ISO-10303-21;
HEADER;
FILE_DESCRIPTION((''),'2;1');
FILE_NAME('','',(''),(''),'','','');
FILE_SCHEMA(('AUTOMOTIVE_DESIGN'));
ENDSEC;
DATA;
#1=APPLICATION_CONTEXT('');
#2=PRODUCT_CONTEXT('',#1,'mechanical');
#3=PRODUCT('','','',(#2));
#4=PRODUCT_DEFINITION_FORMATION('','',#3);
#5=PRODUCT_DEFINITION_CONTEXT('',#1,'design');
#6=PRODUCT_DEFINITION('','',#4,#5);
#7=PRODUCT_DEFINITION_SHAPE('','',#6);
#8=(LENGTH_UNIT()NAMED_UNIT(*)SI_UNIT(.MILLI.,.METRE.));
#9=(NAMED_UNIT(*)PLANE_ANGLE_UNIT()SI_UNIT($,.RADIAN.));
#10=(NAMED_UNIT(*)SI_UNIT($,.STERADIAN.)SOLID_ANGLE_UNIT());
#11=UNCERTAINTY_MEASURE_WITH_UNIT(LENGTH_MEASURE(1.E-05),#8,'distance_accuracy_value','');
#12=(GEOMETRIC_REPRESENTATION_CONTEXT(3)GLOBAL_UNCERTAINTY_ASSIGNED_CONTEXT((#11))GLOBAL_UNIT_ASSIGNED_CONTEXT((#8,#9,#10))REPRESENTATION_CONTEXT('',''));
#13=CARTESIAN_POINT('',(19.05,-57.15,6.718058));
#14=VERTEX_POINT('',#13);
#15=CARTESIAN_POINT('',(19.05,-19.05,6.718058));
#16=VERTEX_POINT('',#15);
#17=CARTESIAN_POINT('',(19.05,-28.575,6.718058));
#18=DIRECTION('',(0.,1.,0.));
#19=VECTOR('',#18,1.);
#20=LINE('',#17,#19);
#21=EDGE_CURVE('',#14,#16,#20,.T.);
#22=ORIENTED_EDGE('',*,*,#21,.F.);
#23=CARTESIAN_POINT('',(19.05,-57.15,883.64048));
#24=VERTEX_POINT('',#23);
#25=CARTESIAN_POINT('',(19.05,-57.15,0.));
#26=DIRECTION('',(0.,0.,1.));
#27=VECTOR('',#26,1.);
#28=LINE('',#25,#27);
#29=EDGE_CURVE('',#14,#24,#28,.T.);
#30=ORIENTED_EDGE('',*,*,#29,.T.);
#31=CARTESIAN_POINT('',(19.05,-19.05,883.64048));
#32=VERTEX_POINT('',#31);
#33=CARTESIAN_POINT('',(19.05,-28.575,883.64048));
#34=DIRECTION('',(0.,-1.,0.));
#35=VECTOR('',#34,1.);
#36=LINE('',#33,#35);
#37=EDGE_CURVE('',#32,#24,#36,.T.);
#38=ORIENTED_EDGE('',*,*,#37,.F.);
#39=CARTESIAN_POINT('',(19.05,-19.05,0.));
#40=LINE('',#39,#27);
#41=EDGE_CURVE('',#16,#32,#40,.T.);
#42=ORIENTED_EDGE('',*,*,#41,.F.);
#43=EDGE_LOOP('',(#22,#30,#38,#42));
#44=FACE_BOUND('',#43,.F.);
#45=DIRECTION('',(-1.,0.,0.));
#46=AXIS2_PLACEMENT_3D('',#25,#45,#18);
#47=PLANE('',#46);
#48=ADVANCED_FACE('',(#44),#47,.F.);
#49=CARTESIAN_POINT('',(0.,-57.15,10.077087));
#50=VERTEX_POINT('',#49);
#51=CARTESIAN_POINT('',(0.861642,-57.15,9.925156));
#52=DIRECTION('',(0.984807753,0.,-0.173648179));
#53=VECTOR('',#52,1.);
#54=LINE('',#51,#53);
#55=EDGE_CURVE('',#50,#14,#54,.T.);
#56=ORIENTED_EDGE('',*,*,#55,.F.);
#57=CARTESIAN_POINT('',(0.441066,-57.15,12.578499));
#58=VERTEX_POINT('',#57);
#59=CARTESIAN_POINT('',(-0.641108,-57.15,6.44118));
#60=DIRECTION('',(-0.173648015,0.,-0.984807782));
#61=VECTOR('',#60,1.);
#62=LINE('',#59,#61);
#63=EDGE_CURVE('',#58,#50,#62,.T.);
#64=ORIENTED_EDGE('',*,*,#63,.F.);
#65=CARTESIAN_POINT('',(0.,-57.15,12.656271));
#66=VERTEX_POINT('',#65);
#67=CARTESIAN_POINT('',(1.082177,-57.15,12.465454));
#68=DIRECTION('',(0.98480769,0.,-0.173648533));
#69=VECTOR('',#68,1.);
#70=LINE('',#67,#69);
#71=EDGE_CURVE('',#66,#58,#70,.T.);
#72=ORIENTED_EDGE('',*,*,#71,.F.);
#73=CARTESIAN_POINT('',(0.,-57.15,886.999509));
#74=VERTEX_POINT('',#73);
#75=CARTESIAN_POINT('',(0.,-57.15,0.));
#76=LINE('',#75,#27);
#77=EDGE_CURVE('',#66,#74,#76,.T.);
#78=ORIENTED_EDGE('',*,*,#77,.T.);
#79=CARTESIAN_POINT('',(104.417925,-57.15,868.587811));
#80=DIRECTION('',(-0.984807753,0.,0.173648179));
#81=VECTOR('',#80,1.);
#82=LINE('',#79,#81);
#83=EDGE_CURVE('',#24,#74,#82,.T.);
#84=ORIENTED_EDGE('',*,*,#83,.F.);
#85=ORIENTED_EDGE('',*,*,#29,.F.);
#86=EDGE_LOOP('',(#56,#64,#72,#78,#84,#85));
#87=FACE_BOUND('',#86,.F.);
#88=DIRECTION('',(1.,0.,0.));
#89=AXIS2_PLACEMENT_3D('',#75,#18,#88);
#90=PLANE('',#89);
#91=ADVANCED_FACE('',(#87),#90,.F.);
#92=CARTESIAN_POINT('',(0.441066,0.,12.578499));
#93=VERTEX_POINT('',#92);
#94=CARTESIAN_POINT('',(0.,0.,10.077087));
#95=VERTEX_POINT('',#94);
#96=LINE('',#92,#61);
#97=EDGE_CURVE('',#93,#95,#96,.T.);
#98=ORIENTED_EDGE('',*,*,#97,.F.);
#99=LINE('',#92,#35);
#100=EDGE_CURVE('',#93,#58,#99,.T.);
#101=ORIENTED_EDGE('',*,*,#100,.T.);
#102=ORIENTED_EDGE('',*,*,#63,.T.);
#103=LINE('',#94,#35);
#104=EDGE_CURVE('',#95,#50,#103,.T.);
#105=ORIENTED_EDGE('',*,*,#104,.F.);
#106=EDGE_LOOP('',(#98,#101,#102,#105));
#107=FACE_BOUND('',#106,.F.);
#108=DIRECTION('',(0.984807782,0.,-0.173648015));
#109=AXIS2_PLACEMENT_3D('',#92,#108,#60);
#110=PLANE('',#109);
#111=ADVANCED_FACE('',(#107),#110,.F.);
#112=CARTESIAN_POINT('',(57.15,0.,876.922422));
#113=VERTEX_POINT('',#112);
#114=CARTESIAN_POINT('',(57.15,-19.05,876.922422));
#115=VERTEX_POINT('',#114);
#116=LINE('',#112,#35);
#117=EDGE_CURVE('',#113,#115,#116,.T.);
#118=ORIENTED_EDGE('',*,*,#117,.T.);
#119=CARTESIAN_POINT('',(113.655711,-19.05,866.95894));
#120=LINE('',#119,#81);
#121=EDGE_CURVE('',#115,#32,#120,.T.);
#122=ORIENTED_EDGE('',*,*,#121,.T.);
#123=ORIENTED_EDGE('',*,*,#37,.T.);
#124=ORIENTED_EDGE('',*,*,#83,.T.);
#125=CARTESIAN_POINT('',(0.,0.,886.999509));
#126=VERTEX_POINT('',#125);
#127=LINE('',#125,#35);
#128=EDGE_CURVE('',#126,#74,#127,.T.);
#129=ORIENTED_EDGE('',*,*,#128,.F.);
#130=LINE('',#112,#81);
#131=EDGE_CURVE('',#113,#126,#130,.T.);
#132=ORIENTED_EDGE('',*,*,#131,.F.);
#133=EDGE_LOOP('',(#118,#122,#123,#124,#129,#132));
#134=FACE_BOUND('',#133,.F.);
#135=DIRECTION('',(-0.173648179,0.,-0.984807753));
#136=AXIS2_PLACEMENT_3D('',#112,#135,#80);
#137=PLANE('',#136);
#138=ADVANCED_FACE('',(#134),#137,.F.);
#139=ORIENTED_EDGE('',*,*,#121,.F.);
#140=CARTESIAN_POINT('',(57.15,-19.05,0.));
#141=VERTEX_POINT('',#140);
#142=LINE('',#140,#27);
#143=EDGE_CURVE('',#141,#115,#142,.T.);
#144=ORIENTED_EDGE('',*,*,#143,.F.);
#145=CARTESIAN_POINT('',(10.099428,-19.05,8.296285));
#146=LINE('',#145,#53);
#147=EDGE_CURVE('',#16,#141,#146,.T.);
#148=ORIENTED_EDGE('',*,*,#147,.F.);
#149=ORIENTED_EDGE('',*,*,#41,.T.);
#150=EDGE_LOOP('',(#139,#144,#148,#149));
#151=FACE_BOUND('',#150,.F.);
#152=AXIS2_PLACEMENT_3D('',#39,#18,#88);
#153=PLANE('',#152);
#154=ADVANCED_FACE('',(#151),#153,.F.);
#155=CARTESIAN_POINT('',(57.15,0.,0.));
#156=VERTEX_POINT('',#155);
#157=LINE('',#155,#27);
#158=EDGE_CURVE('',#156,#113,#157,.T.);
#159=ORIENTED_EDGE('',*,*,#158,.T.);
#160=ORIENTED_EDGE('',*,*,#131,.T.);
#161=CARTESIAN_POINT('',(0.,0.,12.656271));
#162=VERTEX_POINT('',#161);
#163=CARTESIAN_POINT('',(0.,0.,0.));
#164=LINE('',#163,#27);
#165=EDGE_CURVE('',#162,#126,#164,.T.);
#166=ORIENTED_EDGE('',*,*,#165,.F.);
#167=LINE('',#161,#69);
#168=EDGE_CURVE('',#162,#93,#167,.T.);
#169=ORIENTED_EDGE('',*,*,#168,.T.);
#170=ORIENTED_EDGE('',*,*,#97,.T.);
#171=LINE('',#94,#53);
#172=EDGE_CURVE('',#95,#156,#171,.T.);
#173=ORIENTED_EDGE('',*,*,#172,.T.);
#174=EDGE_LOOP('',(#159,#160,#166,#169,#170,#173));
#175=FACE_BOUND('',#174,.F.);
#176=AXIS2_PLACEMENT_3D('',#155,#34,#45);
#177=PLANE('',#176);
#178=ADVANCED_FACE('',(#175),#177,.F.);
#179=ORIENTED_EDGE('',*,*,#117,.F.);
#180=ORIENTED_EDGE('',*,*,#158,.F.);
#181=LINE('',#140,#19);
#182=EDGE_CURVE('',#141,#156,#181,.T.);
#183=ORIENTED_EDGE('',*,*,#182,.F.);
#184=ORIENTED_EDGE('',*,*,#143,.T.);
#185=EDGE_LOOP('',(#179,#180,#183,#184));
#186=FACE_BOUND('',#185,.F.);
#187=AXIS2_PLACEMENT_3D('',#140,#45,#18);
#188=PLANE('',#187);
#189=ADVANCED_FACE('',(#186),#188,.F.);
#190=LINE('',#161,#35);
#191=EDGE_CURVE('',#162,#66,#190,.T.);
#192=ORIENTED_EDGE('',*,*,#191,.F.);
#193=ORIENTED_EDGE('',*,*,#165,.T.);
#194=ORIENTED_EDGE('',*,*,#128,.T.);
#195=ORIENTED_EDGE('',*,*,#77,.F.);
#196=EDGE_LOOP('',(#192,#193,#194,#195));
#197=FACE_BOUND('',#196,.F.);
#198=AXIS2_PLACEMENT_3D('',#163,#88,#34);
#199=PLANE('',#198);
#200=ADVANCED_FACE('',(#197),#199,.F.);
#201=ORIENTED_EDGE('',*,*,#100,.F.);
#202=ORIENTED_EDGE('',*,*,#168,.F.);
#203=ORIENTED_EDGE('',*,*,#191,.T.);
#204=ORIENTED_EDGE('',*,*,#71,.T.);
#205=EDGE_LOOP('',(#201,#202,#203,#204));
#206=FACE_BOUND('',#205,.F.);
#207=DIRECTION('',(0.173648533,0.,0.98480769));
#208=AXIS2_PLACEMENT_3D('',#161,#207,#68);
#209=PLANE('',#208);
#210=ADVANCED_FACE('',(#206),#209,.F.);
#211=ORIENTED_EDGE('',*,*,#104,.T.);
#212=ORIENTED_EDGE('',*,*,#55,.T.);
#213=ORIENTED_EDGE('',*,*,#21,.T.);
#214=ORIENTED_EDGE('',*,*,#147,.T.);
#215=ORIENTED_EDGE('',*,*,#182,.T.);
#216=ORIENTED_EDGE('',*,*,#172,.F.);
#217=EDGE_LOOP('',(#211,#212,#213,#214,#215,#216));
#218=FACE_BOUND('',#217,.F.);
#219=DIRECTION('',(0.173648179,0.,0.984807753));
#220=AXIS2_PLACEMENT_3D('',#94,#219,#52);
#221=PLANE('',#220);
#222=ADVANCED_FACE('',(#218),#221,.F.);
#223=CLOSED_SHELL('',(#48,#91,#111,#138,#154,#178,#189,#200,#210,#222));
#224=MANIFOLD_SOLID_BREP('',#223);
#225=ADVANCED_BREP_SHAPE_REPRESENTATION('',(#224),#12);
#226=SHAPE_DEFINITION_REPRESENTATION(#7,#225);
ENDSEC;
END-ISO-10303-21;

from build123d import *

# Parameters (mm, degrees)
F1_DEPTH = 1016
F3_DEPTH = 57.151
F5_DEPTH = 57.151


with BuildPart() as f1:
    # F0 (on Top) → F1 (new body)
    with BuildSketch(Plane.XY):
        Polygon((57.15, 0), (0, 0), (0, -57.15), (19.05, -57.15), (19.05, -19.05), (57.15, -19.05), align=None)
    extrude(amount=F1_DEPTH)

    # F2 (on face) → F3 (cut, through all)
    with BuildSketch(Plane(origin=(0, 0, 0), x_dir=(-1, 0, 0), z_dir=(0, 1, 0))):
        Polygon((0, 10.077087), (-57.15, 0), (0, 0), align=None)
        Polygon((0, 886.999509), (0, 1016), (-57.15, 1016), (-57.15, 876.922422), align=None)
    extrude(amount=-F3_DEPTH, mode=Mode.SUBTRACT)

    # F4 (on face) → F5 (cut, through all)
    with BuildSketch(Plane(origin=(0, 0, 0), x_dir=(-1, 0, 0), z_dir=(0, 1, 0))):
        Polygon((-0.441066, 12.578499), (0, 10.077087), (0, 12.656271), align=None)
    extrude(amount=-F5_DEPTH, mode=Mode.SUBTRACT)


solid = f1.part
